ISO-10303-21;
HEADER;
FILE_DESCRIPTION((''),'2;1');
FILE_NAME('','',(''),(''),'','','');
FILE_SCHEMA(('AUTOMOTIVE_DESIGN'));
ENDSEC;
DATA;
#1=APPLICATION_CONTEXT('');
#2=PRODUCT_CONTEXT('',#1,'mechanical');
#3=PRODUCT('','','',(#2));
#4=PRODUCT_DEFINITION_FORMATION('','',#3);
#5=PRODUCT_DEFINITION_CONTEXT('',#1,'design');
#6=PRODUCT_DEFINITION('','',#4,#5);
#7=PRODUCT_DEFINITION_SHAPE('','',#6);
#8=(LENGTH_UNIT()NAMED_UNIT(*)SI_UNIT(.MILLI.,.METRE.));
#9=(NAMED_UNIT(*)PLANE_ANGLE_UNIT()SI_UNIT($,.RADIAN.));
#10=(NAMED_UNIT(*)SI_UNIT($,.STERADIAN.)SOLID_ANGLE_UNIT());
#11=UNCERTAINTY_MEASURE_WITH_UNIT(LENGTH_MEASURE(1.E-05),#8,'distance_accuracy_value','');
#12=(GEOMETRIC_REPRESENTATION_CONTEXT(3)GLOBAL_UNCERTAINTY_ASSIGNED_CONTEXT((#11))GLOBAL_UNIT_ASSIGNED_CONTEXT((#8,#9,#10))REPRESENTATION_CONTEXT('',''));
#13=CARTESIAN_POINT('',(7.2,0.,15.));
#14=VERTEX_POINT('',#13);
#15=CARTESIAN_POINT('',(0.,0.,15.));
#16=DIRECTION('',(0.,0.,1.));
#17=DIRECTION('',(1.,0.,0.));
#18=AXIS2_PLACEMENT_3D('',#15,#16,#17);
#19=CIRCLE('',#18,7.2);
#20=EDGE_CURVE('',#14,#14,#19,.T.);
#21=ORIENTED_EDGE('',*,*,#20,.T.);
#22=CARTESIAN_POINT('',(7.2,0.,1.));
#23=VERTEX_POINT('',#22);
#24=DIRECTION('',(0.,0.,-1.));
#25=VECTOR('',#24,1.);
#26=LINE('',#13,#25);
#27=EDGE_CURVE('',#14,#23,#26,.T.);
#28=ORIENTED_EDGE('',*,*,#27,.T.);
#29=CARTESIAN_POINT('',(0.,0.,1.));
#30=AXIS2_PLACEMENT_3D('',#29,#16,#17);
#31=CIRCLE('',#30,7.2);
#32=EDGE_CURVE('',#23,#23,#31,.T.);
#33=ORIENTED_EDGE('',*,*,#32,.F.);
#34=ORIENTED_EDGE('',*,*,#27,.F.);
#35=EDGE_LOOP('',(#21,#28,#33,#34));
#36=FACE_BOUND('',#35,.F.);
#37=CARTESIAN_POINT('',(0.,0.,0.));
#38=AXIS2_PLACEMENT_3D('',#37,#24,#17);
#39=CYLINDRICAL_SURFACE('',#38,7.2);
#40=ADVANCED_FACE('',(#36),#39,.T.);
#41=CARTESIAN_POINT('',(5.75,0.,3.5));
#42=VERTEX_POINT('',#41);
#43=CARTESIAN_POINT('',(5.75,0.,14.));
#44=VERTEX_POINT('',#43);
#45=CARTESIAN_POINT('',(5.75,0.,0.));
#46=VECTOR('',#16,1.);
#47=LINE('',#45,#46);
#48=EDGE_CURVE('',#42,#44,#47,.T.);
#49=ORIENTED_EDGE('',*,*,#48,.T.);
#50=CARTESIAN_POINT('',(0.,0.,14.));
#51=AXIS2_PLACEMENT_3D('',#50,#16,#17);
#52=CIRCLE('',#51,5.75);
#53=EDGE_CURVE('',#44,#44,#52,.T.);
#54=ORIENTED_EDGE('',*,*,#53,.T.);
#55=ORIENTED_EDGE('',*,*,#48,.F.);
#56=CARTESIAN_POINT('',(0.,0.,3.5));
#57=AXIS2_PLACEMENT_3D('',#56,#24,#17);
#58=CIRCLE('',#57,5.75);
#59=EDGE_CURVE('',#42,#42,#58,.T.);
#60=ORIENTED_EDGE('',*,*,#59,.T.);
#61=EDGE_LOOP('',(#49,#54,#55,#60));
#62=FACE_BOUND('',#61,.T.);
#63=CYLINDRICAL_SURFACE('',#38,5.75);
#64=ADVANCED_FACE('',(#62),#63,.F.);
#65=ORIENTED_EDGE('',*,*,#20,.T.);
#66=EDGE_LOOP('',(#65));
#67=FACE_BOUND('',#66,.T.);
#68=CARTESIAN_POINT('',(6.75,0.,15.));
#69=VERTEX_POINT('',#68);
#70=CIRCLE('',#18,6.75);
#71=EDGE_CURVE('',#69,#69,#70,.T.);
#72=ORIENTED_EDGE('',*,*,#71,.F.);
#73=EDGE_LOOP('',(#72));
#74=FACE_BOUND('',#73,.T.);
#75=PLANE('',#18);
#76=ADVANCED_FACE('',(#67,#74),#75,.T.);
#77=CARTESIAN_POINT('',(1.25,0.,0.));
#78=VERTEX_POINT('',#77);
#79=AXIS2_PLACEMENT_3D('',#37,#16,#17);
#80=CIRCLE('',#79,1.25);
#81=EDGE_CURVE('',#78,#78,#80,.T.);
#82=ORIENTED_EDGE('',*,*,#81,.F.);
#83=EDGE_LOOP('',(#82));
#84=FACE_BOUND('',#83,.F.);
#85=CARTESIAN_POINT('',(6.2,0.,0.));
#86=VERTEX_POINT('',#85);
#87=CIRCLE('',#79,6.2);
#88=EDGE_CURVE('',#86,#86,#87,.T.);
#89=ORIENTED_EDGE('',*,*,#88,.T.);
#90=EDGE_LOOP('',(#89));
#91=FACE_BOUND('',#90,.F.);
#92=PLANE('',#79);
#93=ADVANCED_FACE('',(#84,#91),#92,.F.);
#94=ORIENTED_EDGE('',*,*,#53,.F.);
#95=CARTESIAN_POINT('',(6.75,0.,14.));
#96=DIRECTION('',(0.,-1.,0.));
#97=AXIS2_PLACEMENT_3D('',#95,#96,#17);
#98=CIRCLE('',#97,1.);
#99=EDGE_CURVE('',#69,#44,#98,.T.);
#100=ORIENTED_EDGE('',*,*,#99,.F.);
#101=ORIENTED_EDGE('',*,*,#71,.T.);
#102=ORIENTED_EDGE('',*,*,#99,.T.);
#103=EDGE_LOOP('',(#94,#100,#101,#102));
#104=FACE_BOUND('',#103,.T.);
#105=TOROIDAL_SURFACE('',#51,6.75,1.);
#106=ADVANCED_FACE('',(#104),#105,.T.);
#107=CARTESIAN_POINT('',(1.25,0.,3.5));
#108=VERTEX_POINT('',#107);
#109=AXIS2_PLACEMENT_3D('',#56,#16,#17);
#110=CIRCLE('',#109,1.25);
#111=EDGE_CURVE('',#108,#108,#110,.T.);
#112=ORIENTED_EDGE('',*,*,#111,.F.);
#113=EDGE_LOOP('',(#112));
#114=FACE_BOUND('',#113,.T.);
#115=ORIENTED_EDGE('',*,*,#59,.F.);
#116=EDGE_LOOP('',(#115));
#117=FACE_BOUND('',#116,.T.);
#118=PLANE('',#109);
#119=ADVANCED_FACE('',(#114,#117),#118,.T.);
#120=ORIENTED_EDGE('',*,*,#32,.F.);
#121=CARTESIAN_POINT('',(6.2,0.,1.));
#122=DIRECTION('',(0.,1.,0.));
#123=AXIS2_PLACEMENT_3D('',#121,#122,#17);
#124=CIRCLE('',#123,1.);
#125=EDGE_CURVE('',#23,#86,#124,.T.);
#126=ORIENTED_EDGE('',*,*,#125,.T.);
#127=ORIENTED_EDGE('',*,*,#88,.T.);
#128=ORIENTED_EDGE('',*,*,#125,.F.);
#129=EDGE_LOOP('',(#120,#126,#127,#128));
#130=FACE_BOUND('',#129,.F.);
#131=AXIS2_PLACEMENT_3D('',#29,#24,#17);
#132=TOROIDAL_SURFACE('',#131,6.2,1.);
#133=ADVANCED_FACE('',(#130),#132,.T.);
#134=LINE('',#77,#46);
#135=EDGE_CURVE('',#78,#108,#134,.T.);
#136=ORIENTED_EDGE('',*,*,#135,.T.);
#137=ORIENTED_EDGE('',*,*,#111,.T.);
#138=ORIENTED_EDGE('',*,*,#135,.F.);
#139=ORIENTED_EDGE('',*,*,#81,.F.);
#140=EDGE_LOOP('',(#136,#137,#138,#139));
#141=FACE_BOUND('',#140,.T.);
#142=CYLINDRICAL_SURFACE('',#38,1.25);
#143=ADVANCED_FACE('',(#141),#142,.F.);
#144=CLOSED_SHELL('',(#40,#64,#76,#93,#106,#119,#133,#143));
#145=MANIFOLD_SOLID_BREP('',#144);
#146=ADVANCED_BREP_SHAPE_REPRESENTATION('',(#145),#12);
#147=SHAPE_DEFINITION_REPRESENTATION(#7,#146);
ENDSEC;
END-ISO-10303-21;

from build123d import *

# Parameters (mm, degrees)
F0_R     = 7.2
F0_R_2   = 1.25
F1_DEPTH = 3.5
F2_R     = 7.2
F2_R_2   = 5.75
F3_DEPTH = 15
F4_R     = 1


with BuildPart() as f1:
    # F0 (on Top) → F1 (new body)
    with BuildSketch(Plane.XY):
        Circle(F0_R)
        Circle(F0_R_2, mode=Mode.SUBTRACT)
    extrude(amount=F1_DEPTH)

    # F2 (on Top) → F3 (join)
    with BuildSketch(Plane.XY):
        Circle(F2_R)
        Circle(F2_R_2, mode=Mode.SUBTRACT)
    extrude(amount=F3_DEPTH)

    # F4
    f4_edges = [f1.edges().sort_by_distance(p)[0] for p in [
        (-7.2, 0, 0),
        (-5.75, 0, 15),
    ]]
    fillet(f4_edges, radius=F4_R)


solid = f1.part
